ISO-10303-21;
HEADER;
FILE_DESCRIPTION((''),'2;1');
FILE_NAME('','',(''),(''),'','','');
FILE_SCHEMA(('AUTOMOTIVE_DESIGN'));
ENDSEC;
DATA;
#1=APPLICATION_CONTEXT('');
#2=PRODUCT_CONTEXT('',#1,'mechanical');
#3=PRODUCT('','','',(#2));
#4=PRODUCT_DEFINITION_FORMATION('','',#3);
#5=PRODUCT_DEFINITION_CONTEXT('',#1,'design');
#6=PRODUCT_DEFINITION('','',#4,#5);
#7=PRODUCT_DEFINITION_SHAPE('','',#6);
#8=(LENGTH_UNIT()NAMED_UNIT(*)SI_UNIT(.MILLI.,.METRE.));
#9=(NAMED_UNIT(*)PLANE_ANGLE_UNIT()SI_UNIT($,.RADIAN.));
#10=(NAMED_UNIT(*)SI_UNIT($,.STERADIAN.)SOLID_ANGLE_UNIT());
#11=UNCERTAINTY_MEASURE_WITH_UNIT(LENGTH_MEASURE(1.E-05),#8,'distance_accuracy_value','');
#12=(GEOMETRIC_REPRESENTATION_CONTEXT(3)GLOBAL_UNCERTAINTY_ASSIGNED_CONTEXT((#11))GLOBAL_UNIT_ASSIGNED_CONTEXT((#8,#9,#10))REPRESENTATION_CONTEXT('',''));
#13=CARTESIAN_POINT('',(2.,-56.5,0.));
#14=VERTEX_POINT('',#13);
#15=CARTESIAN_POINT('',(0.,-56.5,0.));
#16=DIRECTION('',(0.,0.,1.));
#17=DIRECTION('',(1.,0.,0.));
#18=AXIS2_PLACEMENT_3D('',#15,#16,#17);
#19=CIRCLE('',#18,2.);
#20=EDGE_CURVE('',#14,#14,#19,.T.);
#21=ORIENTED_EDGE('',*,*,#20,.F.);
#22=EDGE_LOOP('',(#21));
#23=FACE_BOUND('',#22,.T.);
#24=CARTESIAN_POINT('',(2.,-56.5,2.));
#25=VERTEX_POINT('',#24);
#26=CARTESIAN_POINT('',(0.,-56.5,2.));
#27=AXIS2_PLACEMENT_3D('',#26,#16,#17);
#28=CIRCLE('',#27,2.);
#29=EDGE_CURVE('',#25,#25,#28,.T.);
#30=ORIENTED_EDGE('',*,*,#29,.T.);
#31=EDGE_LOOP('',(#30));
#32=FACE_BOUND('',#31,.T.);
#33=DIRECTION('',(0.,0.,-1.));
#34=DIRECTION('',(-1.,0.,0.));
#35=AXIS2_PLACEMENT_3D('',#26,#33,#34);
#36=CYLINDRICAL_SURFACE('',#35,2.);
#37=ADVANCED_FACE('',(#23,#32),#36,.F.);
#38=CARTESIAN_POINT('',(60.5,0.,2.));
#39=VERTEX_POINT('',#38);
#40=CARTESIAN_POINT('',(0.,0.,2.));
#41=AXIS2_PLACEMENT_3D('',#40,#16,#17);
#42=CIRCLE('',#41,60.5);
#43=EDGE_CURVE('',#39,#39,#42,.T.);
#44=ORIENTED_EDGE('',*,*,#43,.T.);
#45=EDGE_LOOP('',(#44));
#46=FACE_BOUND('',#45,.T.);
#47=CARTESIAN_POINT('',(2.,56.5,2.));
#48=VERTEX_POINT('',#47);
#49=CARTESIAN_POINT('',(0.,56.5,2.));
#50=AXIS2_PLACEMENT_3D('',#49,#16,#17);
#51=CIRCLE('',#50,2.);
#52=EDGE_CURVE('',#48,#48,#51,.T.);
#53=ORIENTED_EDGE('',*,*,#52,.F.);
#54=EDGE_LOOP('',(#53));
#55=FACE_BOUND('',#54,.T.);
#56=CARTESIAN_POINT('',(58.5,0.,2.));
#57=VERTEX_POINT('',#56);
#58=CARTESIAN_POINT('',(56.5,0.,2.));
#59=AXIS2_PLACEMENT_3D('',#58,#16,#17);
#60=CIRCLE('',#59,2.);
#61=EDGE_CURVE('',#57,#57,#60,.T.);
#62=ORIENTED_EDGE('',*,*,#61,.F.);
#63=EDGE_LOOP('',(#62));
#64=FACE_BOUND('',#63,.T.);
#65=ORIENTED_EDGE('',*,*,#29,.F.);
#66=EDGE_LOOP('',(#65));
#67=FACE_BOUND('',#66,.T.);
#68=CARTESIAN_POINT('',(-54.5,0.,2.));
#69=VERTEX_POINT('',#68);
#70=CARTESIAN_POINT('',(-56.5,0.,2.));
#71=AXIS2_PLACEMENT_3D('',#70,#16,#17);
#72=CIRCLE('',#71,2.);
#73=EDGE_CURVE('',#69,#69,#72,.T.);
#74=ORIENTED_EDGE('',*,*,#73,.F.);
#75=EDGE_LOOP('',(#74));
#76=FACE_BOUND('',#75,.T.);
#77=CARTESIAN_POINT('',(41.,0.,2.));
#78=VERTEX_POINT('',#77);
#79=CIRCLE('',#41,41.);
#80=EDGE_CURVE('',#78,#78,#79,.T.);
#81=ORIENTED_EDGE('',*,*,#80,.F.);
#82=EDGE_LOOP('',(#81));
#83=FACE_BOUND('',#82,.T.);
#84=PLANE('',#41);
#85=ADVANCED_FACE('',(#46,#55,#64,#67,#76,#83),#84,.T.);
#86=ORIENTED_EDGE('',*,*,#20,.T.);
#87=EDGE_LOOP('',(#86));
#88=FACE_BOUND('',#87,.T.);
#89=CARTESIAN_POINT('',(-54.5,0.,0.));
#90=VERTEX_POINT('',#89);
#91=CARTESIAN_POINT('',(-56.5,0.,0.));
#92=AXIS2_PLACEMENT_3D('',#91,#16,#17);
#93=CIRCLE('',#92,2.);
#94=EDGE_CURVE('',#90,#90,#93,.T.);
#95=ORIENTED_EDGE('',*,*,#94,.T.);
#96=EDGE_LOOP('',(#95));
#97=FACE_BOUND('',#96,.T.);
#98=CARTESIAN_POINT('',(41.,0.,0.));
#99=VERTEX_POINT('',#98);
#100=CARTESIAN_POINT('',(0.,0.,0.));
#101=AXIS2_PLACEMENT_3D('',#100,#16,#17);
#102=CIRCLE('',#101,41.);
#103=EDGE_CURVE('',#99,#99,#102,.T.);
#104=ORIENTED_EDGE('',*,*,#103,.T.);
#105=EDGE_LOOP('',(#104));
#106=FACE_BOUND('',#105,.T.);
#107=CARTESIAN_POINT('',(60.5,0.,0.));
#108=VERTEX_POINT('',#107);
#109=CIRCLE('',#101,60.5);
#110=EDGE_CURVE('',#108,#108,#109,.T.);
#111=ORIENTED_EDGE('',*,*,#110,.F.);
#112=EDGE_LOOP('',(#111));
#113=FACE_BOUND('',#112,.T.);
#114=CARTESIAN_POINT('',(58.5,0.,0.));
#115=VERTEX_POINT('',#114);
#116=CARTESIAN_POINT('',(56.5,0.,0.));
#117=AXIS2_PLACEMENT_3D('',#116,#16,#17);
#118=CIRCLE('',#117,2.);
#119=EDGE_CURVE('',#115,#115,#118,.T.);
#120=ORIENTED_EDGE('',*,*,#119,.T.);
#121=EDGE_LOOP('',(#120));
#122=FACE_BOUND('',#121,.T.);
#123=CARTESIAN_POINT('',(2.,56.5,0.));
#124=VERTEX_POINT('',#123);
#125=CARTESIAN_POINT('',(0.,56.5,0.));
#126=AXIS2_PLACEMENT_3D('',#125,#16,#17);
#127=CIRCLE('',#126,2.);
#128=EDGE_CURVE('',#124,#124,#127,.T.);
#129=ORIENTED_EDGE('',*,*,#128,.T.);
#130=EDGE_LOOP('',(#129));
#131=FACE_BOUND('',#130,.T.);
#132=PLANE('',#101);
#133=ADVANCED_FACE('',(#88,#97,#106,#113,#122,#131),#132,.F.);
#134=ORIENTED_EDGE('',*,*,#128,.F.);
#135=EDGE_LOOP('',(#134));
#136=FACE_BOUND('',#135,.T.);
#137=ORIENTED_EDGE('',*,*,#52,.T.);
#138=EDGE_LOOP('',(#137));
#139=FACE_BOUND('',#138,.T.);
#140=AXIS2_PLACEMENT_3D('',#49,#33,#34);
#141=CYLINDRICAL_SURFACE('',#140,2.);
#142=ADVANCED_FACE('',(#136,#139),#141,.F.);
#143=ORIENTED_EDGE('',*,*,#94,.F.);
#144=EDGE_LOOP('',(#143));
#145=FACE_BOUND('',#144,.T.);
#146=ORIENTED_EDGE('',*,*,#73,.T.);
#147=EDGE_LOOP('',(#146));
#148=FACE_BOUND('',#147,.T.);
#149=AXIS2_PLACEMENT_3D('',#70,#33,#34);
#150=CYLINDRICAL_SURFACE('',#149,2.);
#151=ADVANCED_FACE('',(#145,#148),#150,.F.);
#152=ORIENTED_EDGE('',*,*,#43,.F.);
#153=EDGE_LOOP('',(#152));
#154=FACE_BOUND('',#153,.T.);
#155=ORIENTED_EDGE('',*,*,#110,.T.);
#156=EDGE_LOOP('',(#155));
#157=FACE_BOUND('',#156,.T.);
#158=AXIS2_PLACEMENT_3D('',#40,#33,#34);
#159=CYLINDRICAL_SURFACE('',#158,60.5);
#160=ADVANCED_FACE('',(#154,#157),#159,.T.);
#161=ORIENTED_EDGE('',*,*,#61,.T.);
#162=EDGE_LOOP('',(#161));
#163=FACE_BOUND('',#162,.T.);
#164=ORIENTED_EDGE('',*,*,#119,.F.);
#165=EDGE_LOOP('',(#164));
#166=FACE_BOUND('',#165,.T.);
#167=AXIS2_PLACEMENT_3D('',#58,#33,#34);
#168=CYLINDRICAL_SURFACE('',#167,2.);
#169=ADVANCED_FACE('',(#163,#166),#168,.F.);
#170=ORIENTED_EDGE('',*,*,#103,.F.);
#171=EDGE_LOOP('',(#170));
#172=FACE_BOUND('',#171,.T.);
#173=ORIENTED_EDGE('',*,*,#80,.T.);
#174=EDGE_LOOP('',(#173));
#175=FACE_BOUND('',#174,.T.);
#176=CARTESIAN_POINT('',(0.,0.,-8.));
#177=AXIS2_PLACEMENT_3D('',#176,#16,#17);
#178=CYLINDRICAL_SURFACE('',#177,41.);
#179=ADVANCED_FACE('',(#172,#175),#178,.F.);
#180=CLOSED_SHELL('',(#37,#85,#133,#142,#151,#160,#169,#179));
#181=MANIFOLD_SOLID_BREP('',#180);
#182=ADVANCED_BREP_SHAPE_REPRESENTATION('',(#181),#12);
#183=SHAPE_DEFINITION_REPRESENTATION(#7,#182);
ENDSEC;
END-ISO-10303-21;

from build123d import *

# Parameters (mm, degrees)
SKETCH_1_R          = 60.5
SKETCH_1_R_2        = 2
SKETCH_1_R_3        = 2.6
SKETCH_1_R_4        = 15.5
EXTRUDE_1_DEPTH     = 2
SKETCH_2_R          = 41
CUT_EXTRUDE_1_DEPTH = 10


with BuildPart() as part:
    # 草图1 → 凸台-拉伸1 (new body)
    with BuildSketch(Plane.XY):
        Circle(SKETCH_1_R)
        with Locations((0, -56.5)):
            Circle(SKETCH_1_R_2, mode=Mode.SUBTRACT)
        with Locations((-56.5, 0)):
            Circle(SKETCH_1_R_2, mode=Mode.SUBTRACT)
        with Locations((0, 56.5)):
            Circle(SKETCH_1_R_2, mode=Mode.SUBTRACT)
        with Locations((56.5, 0)):
            Circle(SKETCH_1_R_2, mode=Mode.SUBTRACT)
        with Locations((0, -23.75)):
            Circle(SKETCH_1_R_3, mode=Mode.SUBTRACT)
        with Locations((-20.56810334, 11.875)):
            Circle(SKETCH_1_R_3, mode=Mode.SUBTRACT)
        with Locations((20.56810334, 11.875)):
            Circle(SKETCH_1_R_3, mode=Mode.SUBTRACT)
        with Locations((19.485571585, -11.25)):
            Circle(SKETCH_1_R_3, mode=Mode.SUBTRACT)
        with Locations((-19.485571585, -11.25)):
            Circle(SKETCH_1_R_3, mode=Mode.SUBTRACT)
        with Locations((0, 22.5)):
            Circle(SKETCH_1_R_3, mode=Mode.SUBTRACT)
        Circle(SKETCH_1_R_4, mode=Mode.SUBTRACT)
    extrude(amount=EXTRUDE_1_DEPTH)

    # 草图2 → 切除-拉伸1 (cut)
    with BuildSketch(Plane.XY.offset(2)):
        Circle(SKETCH_2_R)
    extrude(amount=-CUT_EXTRUDE_1_DEPTH, mode=Mode.SUBTRACT)


solid = part.part
